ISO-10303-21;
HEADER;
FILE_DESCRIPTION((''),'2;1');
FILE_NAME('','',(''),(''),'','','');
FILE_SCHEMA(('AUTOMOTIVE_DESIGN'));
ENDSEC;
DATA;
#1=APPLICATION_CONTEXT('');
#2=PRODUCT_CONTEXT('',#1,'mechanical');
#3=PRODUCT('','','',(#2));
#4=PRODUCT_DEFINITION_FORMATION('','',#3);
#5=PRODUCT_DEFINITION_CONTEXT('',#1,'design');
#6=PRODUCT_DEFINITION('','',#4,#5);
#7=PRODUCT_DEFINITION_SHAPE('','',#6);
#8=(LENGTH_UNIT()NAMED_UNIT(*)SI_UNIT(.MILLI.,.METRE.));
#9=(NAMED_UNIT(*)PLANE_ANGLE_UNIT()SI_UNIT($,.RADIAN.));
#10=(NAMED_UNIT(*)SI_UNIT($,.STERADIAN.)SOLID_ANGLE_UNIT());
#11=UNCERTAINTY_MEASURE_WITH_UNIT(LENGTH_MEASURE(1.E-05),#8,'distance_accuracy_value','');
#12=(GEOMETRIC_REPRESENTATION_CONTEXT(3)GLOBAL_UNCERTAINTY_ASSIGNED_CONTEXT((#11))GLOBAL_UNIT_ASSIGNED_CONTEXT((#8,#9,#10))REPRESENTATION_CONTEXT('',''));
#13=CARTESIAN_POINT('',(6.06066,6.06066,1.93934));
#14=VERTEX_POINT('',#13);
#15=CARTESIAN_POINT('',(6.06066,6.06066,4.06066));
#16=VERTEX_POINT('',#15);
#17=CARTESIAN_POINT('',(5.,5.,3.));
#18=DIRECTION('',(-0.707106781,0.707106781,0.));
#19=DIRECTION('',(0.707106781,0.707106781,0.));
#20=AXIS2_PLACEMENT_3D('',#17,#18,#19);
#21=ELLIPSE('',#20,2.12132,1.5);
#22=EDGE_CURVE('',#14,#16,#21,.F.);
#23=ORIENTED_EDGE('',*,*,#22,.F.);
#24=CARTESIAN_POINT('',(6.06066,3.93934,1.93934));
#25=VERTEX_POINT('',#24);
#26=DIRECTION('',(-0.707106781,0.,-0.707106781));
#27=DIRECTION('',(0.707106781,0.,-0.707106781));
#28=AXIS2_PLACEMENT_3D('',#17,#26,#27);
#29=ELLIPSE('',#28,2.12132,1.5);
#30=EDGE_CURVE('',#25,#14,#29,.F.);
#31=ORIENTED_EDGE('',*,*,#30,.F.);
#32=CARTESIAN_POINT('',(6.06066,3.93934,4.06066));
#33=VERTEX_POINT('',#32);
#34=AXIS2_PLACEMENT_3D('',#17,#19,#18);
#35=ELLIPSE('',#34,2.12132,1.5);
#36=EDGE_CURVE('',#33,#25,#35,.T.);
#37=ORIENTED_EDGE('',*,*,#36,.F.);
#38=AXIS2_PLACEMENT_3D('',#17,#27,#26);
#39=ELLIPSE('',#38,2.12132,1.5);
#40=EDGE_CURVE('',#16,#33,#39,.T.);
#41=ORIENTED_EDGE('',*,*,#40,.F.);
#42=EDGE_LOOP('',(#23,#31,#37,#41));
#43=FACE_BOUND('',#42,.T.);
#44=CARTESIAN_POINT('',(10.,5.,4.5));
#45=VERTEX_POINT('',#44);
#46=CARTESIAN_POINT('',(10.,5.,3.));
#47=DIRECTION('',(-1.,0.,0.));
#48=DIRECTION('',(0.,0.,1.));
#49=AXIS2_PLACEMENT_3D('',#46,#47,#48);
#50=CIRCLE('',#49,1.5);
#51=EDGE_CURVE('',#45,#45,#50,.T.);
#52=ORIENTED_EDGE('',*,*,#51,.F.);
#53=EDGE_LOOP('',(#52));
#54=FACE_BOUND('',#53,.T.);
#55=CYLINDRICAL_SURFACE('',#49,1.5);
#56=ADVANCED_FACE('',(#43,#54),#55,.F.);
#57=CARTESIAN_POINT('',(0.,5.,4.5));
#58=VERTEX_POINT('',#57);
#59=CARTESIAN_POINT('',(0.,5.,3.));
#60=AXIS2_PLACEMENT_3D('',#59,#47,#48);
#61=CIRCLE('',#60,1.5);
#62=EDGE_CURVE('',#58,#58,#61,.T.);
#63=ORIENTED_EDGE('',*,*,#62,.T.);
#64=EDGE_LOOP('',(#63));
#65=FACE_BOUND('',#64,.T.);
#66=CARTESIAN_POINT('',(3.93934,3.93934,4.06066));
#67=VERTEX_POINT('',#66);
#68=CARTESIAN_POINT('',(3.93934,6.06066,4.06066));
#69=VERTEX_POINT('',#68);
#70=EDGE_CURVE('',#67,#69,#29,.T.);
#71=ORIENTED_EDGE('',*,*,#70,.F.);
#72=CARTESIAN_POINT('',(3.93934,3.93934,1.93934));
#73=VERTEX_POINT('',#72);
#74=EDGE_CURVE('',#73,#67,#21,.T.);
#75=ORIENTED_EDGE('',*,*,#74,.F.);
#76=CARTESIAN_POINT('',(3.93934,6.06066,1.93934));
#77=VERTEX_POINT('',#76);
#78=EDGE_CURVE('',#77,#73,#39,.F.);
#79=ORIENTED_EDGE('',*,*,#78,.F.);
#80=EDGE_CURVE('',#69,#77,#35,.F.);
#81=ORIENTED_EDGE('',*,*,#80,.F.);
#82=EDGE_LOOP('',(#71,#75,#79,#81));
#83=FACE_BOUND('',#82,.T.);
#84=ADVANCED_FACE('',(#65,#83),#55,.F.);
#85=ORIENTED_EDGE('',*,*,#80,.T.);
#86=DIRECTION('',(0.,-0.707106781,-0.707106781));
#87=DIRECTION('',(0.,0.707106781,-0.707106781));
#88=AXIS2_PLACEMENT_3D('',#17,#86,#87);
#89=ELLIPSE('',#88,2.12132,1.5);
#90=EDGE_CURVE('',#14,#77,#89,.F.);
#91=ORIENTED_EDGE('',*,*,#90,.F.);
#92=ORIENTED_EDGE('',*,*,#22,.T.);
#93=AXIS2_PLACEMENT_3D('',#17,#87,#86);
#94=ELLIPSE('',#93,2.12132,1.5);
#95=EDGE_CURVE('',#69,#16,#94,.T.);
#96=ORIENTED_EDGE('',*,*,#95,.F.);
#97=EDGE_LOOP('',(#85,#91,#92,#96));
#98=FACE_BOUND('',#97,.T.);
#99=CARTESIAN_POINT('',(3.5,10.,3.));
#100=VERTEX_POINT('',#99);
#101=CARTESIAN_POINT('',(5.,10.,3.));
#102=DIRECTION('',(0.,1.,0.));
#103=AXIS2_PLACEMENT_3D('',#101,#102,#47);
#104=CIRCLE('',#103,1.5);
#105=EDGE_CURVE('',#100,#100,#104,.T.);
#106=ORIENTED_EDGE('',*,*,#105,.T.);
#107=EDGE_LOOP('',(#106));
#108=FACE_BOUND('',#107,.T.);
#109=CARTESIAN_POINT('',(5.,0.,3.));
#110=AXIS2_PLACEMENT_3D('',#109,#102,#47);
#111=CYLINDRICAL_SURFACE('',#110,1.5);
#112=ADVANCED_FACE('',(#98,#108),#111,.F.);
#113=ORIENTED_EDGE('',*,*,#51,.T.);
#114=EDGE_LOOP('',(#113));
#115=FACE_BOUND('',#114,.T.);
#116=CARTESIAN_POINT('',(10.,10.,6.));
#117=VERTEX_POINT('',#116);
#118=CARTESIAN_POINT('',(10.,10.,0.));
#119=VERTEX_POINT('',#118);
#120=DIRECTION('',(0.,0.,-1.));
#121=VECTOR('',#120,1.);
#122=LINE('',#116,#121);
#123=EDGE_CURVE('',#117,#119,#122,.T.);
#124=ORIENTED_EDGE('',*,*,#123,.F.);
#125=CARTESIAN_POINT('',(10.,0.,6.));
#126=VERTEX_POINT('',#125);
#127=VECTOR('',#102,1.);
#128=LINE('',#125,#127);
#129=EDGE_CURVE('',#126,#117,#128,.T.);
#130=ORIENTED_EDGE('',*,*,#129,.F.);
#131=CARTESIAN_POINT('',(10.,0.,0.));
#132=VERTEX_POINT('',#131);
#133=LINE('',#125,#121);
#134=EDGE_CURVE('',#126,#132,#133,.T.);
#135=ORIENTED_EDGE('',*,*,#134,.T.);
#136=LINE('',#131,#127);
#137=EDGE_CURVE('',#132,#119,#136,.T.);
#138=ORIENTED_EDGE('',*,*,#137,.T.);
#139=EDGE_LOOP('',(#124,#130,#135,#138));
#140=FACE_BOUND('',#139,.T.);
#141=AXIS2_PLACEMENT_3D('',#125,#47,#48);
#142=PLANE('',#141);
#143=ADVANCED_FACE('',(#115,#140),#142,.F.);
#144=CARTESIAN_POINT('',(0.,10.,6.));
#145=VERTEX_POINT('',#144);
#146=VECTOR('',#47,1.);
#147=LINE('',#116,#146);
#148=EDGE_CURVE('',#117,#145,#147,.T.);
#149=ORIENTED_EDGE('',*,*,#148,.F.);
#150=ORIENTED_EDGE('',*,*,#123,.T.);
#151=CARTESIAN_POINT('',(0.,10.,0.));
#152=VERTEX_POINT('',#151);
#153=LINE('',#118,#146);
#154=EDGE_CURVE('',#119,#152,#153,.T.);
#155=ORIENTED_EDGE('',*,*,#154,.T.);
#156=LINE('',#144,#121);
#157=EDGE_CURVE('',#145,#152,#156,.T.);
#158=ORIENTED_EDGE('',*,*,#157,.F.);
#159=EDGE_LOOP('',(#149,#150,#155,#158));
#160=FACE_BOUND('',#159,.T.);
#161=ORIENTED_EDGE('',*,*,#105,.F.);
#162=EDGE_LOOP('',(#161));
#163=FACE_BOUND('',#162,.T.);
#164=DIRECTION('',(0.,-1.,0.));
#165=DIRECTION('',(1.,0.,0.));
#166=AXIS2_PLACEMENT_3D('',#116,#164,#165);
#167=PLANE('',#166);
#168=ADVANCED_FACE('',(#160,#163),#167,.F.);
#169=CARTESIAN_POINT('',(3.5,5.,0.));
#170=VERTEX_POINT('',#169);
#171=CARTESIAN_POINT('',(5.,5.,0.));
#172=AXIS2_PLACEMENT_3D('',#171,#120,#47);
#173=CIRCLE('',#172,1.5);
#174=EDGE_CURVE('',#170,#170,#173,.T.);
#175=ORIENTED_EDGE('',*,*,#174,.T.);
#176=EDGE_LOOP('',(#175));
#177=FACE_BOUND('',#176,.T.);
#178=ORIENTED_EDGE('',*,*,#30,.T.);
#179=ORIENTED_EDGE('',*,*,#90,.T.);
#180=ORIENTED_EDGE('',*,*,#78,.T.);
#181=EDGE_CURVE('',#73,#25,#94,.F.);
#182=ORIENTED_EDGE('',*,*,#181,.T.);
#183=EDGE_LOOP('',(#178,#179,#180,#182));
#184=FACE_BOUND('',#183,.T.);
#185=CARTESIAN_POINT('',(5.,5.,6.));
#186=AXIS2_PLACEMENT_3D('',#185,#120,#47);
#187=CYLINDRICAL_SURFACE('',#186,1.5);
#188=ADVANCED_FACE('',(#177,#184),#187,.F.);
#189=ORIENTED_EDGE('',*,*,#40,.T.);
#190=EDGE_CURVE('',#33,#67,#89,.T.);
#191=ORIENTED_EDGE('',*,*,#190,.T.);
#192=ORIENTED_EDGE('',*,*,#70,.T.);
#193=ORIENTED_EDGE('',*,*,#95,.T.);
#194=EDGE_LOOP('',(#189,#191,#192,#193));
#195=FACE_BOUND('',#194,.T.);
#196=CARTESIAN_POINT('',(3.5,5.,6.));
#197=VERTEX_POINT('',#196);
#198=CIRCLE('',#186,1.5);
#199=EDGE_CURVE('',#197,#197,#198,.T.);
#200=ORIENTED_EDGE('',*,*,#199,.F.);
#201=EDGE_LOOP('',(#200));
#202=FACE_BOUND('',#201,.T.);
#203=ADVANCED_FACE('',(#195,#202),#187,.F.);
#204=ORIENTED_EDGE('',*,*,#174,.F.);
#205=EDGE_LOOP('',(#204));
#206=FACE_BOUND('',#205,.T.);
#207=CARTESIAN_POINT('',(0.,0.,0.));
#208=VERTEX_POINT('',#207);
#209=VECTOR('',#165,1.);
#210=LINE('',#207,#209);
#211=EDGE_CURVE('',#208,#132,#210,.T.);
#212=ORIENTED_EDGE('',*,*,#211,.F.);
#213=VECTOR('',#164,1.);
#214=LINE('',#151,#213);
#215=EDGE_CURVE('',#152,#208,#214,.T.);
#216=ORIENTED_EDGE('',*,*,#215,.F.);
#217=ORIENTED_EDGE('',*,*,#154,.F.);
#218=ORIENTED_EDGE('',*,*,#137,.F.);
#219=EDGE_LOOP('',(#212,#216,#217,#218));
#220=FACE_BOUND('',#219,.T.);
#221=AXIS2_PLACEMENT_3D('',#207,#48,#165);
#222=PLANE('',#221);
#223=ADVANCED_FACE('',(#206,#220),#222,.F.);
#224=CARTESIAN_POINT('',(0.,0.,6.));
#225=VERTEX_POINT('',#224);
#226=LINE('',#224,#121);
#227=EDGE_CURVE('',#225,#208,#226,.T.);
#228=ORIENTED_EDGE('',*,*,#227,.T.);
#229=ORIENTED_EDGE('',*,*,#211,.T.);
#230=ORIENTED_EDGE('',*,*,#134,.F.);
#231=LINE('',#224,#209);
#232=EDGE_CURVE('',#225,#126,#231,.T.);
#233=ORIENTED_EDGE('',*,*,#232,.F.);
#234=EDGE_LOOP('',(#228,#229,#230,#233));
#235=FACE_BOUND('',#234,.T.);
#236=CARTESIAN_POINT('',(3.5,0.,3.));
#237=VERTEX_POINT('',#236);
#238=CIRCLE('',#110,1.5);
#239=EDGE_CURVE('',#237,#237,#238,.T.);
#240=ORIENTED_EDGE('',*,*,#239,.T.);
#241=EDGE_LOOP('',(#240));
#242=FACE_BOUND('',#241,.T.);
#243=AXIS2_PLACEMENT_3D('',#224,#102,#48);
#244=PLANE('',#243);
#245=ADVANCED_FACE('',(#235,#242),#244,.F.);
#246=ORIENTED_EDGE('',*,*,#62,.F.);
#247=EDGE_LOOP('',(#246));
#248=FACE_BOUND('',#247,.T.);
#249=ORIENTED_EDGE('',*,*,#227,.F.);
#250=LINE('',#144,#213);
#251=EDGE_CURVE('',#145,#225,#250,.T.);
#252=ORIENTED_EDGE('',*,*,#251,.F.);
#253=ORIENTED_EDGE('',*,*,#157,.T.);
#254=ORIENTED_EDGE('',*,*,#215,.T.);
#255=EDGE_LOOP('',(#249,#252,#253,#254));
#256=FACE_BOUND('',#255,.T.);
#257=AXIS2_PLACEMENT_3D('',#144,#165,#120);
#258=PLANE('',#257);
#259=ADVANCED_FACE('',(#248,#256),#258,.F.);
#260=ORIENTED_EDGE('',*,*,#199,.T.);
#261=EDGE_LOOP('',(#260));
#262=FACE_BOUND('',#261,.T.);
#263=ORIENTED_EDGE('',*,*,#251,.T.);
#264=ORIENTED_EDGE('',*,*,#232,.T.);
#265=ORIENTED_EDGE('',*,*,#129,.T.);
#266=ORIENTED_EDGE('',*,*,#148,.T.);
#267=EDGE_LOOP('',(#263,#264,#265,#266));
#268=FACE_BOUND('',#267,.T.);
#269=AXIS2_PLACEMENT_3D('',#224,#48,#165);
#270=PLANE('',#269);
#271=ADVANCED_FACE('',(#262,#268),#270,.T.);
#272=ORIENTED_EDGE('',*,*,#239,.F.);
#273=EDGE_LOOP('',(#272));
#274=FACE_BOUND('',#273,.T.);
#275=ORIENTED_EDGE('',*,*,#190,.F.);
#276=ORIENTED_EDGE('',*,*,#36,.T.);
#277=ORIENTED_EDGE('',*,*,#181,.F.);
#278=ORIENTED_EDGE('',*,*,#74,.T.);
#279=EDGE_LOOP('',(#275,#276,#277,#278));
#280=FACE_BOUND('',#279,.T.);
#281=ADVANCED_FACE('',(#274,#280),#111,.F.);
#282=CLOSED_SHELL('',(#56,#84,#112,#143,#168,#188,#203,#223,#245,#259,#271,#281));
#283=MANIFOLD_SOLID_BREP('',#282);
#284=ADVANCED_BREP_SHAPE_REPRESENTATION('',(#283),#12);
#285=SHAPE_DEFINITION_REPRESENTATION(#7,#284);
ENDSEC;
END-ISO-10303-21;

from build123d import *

# Parameters (mm, degrees)
SKETCH_1_W          = 10
SKETCH_1_H          = 10
EXTRUDE_1_DEPTH     = 6
SKETCH_2_R          = 1.5
CUT_EXTRUDE_1_DEPTH = 16.362291496
SKETCH_3_R          = 1.5
CUT_EXTRUDE_2_DEPTH = 16.362291496
SKETCH_4_R          = 1.5
CUT_EXTRUDE_3_DEPTH = 16.362291496


with BuildPart() as part:
    # 草图1 → 凸台-拉伸1 (new body)
    with BuildSketch(Plane.XY):
        with Locations((5, 5)):
            Rectangle(SKETCH_1_W, SKETCH_1_H)
    extrude(amount=EXTRUDE_1_DEPTH)

    # 草图2 → 切除-拉伸1 (cut, through all)
    with BuildSketch(Plane(origin=(0, 0, 0), x_dir=(-1, 0, 0), z_dir=(0, 0, -1))):
        with Locations((-5, 5)):
            Circle(SKETCH_2_R)
    extrude(amount=-CUT_EXTRUDE_1_DEPTH, mode=Mode.SUBTRACT)

    # 草图3 → 切除-拉伸2 (cut, through all)
    with BuildSketch(Plane(origin=(0, 10, 0), x_dir=(1, 0, 0), z_dir=(0, 1, 0))):
        with Locations(Location((5, -3, 0), (0, 0, 180))):
            Circle(SKETCH_3_R)
    extrude(amount=-CUT_EXTRUDE_2_DEPTH, mode=Mode.SUBTRACT)

    # 草图4 → 切除-拉伸3 (cut, through all)
    with BuildSketch(Plane.ZY):
        with Locations((3, 5)):
            Circle(SKETCH_4_R)
    extrude(amount=-CUT_EXTRUDE_3_DEPTH, mode=Mode.SUBTRACT)


solid = part.part
